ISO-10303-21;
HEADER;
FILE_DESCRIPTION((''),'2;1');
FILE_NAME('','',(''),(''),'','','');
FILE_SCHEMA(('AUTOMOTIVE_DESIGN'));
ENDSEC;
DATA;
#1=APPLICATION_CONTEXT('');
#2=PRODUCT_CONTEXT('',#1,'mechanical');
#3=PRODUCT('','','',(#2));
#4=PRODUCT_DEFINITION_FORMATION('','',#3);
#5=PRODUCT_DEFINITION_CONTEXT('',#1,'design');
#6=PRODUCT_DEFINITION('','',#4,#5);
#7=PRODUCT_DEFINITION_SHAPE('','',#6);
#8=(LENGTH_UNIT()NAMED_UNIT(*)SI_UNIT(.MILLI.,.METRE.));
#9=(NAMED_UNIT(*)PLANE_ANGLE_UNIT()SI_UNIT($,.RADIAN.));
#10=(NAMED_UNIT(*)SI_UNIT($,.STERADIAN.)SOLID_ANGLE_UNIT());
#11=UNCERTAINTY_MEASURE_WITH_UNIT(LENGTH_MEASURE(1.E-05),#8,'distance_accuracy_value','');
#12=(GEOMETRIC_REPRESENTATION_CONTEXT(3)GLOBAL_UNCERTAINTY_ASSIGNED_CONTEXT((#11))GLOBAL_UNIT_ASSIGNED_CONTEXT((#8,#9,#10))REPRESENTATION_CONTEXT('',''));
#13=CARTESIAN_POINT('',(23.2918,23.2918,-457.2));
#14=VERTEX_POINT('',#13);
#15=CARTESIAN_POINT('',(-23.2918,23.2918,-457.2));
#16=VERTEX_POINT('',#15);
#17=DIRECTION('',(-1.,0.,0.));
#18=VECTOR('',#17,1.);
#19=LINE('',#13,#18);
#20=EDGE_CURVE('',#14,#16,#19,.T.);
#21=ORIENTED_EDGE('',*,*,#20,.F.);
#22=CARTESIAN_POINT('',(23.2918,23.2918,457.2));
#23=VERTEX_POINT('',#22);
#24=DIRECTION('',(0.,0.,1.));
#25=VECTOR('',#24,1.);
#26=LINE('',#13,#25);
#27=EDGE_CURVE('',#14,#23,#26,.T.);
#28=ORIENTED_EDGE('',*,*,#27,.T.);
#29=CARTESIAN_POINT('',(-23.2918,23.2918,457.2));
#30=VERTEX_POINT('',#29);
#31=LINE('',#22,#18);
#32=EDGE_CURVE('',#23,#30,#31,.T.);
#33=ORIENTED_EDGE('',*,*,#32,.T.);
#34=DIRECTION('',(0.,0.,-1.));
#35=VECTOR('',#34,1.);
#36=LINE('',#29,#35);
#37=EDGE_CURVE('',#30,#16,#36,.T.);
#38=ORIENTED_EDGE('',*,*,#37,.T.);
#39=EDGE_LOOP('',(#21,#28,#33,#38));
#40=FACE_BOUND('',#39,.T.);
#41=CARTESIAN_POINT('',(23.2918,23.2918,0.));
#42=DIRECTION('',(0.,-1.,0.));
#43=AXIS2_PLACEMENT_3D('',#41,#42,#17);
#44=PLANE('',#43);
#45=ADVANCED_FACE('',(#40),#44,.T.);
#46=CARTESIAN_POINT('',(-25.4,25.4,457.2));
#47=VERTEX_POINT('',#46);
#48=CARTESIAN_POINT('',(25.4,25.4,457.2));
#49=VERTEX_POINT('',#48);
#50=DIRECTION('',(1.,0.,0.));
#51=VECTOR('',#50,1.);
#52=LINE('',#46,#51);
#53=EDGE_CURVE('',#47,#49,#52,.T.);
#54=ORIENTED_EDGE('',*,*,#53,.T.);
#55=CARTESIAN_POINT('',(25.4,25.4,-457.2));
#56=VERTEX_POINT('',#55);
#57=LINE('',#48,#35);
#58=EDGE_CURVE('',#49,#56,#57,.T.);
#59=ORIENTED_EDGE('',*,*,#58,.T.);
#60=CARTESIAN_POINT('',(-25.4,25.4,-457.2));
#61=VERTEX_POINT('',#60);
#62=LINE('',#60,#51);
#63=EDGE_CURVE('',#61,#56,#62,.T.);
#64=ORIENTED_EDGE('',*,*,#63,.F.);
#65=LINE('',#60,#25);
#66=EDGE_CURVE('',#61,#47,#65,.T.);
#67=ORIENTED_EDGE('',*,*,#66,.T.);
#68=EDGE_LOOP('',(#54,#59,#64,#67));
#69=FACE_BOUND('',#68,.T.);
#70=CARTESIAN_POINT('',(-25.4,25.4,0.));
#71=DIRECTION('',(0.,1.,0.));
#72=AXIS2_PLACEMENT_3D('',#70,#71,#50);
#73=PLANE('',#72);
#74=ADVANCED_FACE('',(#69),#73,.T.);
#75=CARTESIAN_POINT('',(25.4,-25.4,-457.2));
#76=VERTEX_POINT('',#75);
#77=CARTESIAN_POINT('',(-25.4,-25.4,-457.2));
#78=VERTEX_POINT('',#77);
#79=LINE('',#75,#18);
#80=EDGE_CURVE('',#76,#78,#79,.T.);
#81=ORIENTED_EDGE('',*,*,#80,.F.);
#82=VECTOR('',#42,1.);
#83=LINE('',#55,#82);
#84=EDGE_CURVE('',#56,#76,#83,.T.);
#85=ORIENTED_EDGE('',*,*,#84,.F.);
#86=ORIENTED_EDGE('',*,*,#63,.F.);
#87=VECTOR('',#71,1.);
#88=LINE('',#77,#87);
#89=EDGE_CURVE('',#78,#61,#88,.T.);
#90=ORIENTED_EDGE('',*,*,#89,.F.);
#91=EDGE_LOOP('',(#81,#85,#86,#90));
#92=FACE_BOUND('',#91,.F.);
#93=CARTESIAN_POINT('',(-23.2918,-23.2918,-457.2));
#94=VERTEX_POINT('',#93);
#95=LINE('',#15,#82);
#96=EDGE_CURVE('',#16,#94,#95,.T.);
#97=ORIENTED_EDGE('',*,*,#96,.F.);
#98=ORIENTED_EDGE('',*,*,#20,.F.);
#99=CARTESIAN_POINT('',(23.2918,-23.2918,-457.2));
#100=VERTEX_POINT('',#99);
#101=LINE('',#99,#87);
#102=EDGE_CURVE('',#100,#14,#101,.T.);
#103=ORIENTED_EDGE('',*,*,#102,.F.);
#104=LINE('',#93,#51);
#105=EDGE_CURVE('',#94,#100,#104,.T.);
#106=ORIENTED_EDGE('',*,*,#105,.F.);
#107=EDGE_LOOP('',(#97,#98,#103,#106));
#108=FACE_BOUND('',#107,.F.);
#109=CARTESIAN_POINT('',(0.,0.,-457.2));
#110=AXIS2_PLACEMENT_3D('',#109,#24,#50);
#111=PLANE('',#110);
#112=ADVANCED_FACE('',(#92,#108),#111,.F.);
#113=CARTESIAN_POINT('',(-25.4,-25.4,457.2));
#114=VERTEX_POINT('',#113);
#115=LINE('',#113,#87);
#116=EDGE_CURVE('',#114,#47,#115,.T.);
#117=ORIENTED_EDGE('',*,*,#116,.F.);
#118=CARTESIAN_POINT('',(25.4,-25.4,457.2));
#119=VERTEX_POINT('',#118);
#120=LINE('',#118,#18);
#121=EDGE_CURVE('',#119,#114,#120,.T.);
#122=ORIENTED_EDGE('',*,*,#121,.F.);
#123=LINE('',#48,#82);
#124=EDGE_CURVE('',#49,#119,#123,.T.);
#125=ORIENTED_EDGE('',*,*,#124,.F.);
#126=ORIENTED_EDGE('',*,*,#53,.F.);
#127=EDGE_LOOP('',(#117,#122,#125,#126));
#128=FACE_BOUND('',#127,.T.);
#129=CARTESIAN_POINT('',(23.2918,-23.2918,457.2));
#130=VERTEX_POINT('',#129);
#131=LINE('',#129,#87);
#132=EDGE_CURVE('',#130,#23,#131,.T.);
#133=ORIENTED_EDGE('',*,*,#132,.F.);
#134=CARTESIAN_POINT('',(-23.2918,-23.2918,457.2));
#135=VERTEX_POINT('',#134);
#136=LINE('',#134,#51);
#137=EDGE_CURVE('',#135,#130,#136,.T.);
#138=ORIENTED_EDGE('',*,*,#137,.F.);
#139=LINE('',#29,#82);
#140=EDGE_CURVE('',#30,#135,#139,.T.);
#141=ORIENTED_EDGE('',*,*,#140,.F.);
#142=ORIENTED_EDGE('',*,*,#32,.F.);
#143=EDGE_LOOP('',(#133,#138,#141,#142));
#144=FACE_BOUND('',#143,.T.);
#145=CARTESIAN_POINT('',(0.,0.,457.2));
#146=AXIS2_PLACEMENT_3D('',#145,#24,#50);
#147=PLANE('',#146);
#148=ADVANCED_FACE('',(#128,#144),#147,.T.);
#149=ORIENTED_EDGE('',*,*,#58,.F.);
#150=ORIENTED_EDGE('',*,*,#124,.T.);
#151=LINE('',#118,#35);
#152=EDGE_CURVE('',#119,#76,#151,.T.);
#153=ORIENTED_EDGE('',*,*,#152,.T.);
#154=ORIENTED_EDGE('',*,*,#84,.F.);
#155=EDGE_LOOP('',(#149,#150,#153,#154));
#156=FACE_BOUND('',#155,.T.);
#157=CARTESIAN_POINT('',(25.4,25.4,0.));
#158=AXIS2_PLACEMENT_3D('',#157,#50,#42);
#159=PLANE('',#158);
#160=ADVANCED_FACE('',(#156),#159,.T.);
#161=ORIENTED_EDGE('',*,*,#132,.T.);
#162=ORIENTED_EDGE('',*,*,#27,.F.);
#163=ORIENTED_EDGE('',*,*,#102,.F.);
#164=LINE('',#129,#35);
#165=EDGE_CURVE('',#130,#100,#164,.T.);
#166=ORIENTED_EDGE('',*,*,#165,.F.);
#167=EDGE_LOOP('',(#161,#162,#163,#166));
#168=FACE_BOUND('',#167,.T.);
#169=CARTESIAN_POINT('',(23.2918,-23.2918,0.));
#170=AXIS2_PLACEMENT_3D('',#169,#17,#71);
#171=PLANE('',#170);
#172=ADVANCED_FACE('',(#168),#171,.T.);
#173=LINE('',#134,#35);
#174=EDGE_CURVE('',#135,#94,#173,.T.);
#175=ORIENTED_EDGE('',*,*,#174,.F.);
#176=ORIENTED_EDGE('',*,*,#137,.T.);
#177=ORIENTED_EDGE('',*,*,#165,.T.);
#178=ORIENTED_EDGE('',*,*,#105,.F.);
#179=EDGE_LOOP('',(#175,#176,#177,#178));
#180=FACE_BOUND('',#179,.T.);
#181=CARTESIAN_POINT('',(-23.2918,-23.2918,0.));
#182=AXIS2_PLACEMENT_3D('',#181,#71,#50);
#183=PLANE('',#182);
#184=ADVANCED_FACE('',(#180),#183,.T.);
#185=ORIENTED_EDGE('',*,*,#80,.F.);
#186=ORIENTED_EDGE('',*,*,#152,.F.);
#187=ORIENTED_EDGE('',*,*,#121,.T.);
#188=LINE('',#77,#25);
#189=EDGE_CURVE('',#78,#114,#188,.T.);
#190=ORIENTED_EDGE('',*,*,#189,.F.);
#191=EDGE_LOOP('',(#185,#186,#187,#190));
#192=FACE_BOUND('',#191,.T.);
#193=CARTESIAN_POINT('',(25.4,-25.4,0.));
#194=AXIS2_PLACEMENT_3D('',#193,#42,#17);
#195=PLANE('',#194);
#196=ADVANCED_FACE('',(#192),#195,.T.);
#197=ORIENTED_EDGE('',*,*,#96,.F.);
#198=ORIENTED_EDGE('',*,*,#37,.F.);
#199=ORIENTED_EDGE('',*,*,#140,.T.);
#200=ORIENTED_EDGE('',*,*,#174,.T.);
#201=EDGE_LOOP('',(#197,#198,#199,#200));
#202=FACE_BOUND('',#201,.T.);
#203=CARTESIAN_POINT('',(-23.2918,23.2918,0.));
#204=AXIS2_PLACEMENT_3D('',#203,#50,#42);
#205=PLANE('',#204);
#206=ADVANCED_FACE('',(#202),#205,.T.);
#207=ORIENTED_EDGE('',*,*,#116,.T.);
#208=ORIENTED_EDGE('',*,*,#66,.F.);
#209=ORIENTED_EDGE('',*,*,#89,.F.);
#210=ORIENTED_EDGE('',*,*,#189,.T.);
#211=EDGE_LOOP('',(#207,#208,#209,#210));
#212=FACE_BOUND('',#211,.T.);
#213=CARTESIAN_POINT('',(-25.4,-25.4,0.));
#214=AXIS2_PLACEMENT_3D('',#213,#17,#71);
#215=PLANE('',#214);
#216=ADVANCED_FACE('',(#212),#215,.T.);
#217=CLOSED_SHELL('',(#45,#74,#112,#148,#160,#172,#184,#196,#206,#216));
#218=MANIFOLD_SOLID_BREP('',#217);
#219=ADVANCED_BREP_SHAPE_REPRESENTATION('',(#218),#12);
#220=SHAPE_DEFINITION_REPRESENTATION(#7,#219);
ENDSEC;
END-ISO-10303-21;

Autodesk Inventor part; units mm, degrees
ref_plane "YZ Plane" through (0, 0, 0) normal (1, 0, 0) x (0, 1, 0)
ref_plane "XZ Plane" through (0, 0, 0) normal (0, 1, 0) x (-1, 0, 0)
ref_plane "XY Plane" through (0, 0, 0) normal (0, 0, 1) x (1, 0, 0)
sketch "Sketch1" plane through (0, 0, 0) normal (0, 0, 1) x (1, 0, 0)
  line L0 (-25.4, 25.4) -> (25.4, 25.4)
  line L1 (25.4, 25.4) -> (25.4, -25.4)
  line L2 (25.4, -25.4) -> (-25.4, -25.4)
  line L3 (-25.4, -25.4) -> (-25.4, 25.4)
  line L4 (23.2918, 23.2918) -> (-23.2918, 23.2918)
  line L5 (-23.2918, 23.2918) -> (-23.2918, -23.2918)
  line L6 (-23.2918, -23.2918) -> (23.2918, -23.2918)
  line L7 (23.2918, -23.2918) -> (23.2918, 23.2918)
  point P0 (0, 0)
  point P1 (23.2918, 0)
  point P2 (0, 25.4)
  dimension "d0" = 50.8
  dimension "d1" = 50.8
  dimension "d2" = 2.1082
extrude "Extrusion1" add sketch "Sketch1" along normal mid plane 914.4
properties part number "tube support base"
